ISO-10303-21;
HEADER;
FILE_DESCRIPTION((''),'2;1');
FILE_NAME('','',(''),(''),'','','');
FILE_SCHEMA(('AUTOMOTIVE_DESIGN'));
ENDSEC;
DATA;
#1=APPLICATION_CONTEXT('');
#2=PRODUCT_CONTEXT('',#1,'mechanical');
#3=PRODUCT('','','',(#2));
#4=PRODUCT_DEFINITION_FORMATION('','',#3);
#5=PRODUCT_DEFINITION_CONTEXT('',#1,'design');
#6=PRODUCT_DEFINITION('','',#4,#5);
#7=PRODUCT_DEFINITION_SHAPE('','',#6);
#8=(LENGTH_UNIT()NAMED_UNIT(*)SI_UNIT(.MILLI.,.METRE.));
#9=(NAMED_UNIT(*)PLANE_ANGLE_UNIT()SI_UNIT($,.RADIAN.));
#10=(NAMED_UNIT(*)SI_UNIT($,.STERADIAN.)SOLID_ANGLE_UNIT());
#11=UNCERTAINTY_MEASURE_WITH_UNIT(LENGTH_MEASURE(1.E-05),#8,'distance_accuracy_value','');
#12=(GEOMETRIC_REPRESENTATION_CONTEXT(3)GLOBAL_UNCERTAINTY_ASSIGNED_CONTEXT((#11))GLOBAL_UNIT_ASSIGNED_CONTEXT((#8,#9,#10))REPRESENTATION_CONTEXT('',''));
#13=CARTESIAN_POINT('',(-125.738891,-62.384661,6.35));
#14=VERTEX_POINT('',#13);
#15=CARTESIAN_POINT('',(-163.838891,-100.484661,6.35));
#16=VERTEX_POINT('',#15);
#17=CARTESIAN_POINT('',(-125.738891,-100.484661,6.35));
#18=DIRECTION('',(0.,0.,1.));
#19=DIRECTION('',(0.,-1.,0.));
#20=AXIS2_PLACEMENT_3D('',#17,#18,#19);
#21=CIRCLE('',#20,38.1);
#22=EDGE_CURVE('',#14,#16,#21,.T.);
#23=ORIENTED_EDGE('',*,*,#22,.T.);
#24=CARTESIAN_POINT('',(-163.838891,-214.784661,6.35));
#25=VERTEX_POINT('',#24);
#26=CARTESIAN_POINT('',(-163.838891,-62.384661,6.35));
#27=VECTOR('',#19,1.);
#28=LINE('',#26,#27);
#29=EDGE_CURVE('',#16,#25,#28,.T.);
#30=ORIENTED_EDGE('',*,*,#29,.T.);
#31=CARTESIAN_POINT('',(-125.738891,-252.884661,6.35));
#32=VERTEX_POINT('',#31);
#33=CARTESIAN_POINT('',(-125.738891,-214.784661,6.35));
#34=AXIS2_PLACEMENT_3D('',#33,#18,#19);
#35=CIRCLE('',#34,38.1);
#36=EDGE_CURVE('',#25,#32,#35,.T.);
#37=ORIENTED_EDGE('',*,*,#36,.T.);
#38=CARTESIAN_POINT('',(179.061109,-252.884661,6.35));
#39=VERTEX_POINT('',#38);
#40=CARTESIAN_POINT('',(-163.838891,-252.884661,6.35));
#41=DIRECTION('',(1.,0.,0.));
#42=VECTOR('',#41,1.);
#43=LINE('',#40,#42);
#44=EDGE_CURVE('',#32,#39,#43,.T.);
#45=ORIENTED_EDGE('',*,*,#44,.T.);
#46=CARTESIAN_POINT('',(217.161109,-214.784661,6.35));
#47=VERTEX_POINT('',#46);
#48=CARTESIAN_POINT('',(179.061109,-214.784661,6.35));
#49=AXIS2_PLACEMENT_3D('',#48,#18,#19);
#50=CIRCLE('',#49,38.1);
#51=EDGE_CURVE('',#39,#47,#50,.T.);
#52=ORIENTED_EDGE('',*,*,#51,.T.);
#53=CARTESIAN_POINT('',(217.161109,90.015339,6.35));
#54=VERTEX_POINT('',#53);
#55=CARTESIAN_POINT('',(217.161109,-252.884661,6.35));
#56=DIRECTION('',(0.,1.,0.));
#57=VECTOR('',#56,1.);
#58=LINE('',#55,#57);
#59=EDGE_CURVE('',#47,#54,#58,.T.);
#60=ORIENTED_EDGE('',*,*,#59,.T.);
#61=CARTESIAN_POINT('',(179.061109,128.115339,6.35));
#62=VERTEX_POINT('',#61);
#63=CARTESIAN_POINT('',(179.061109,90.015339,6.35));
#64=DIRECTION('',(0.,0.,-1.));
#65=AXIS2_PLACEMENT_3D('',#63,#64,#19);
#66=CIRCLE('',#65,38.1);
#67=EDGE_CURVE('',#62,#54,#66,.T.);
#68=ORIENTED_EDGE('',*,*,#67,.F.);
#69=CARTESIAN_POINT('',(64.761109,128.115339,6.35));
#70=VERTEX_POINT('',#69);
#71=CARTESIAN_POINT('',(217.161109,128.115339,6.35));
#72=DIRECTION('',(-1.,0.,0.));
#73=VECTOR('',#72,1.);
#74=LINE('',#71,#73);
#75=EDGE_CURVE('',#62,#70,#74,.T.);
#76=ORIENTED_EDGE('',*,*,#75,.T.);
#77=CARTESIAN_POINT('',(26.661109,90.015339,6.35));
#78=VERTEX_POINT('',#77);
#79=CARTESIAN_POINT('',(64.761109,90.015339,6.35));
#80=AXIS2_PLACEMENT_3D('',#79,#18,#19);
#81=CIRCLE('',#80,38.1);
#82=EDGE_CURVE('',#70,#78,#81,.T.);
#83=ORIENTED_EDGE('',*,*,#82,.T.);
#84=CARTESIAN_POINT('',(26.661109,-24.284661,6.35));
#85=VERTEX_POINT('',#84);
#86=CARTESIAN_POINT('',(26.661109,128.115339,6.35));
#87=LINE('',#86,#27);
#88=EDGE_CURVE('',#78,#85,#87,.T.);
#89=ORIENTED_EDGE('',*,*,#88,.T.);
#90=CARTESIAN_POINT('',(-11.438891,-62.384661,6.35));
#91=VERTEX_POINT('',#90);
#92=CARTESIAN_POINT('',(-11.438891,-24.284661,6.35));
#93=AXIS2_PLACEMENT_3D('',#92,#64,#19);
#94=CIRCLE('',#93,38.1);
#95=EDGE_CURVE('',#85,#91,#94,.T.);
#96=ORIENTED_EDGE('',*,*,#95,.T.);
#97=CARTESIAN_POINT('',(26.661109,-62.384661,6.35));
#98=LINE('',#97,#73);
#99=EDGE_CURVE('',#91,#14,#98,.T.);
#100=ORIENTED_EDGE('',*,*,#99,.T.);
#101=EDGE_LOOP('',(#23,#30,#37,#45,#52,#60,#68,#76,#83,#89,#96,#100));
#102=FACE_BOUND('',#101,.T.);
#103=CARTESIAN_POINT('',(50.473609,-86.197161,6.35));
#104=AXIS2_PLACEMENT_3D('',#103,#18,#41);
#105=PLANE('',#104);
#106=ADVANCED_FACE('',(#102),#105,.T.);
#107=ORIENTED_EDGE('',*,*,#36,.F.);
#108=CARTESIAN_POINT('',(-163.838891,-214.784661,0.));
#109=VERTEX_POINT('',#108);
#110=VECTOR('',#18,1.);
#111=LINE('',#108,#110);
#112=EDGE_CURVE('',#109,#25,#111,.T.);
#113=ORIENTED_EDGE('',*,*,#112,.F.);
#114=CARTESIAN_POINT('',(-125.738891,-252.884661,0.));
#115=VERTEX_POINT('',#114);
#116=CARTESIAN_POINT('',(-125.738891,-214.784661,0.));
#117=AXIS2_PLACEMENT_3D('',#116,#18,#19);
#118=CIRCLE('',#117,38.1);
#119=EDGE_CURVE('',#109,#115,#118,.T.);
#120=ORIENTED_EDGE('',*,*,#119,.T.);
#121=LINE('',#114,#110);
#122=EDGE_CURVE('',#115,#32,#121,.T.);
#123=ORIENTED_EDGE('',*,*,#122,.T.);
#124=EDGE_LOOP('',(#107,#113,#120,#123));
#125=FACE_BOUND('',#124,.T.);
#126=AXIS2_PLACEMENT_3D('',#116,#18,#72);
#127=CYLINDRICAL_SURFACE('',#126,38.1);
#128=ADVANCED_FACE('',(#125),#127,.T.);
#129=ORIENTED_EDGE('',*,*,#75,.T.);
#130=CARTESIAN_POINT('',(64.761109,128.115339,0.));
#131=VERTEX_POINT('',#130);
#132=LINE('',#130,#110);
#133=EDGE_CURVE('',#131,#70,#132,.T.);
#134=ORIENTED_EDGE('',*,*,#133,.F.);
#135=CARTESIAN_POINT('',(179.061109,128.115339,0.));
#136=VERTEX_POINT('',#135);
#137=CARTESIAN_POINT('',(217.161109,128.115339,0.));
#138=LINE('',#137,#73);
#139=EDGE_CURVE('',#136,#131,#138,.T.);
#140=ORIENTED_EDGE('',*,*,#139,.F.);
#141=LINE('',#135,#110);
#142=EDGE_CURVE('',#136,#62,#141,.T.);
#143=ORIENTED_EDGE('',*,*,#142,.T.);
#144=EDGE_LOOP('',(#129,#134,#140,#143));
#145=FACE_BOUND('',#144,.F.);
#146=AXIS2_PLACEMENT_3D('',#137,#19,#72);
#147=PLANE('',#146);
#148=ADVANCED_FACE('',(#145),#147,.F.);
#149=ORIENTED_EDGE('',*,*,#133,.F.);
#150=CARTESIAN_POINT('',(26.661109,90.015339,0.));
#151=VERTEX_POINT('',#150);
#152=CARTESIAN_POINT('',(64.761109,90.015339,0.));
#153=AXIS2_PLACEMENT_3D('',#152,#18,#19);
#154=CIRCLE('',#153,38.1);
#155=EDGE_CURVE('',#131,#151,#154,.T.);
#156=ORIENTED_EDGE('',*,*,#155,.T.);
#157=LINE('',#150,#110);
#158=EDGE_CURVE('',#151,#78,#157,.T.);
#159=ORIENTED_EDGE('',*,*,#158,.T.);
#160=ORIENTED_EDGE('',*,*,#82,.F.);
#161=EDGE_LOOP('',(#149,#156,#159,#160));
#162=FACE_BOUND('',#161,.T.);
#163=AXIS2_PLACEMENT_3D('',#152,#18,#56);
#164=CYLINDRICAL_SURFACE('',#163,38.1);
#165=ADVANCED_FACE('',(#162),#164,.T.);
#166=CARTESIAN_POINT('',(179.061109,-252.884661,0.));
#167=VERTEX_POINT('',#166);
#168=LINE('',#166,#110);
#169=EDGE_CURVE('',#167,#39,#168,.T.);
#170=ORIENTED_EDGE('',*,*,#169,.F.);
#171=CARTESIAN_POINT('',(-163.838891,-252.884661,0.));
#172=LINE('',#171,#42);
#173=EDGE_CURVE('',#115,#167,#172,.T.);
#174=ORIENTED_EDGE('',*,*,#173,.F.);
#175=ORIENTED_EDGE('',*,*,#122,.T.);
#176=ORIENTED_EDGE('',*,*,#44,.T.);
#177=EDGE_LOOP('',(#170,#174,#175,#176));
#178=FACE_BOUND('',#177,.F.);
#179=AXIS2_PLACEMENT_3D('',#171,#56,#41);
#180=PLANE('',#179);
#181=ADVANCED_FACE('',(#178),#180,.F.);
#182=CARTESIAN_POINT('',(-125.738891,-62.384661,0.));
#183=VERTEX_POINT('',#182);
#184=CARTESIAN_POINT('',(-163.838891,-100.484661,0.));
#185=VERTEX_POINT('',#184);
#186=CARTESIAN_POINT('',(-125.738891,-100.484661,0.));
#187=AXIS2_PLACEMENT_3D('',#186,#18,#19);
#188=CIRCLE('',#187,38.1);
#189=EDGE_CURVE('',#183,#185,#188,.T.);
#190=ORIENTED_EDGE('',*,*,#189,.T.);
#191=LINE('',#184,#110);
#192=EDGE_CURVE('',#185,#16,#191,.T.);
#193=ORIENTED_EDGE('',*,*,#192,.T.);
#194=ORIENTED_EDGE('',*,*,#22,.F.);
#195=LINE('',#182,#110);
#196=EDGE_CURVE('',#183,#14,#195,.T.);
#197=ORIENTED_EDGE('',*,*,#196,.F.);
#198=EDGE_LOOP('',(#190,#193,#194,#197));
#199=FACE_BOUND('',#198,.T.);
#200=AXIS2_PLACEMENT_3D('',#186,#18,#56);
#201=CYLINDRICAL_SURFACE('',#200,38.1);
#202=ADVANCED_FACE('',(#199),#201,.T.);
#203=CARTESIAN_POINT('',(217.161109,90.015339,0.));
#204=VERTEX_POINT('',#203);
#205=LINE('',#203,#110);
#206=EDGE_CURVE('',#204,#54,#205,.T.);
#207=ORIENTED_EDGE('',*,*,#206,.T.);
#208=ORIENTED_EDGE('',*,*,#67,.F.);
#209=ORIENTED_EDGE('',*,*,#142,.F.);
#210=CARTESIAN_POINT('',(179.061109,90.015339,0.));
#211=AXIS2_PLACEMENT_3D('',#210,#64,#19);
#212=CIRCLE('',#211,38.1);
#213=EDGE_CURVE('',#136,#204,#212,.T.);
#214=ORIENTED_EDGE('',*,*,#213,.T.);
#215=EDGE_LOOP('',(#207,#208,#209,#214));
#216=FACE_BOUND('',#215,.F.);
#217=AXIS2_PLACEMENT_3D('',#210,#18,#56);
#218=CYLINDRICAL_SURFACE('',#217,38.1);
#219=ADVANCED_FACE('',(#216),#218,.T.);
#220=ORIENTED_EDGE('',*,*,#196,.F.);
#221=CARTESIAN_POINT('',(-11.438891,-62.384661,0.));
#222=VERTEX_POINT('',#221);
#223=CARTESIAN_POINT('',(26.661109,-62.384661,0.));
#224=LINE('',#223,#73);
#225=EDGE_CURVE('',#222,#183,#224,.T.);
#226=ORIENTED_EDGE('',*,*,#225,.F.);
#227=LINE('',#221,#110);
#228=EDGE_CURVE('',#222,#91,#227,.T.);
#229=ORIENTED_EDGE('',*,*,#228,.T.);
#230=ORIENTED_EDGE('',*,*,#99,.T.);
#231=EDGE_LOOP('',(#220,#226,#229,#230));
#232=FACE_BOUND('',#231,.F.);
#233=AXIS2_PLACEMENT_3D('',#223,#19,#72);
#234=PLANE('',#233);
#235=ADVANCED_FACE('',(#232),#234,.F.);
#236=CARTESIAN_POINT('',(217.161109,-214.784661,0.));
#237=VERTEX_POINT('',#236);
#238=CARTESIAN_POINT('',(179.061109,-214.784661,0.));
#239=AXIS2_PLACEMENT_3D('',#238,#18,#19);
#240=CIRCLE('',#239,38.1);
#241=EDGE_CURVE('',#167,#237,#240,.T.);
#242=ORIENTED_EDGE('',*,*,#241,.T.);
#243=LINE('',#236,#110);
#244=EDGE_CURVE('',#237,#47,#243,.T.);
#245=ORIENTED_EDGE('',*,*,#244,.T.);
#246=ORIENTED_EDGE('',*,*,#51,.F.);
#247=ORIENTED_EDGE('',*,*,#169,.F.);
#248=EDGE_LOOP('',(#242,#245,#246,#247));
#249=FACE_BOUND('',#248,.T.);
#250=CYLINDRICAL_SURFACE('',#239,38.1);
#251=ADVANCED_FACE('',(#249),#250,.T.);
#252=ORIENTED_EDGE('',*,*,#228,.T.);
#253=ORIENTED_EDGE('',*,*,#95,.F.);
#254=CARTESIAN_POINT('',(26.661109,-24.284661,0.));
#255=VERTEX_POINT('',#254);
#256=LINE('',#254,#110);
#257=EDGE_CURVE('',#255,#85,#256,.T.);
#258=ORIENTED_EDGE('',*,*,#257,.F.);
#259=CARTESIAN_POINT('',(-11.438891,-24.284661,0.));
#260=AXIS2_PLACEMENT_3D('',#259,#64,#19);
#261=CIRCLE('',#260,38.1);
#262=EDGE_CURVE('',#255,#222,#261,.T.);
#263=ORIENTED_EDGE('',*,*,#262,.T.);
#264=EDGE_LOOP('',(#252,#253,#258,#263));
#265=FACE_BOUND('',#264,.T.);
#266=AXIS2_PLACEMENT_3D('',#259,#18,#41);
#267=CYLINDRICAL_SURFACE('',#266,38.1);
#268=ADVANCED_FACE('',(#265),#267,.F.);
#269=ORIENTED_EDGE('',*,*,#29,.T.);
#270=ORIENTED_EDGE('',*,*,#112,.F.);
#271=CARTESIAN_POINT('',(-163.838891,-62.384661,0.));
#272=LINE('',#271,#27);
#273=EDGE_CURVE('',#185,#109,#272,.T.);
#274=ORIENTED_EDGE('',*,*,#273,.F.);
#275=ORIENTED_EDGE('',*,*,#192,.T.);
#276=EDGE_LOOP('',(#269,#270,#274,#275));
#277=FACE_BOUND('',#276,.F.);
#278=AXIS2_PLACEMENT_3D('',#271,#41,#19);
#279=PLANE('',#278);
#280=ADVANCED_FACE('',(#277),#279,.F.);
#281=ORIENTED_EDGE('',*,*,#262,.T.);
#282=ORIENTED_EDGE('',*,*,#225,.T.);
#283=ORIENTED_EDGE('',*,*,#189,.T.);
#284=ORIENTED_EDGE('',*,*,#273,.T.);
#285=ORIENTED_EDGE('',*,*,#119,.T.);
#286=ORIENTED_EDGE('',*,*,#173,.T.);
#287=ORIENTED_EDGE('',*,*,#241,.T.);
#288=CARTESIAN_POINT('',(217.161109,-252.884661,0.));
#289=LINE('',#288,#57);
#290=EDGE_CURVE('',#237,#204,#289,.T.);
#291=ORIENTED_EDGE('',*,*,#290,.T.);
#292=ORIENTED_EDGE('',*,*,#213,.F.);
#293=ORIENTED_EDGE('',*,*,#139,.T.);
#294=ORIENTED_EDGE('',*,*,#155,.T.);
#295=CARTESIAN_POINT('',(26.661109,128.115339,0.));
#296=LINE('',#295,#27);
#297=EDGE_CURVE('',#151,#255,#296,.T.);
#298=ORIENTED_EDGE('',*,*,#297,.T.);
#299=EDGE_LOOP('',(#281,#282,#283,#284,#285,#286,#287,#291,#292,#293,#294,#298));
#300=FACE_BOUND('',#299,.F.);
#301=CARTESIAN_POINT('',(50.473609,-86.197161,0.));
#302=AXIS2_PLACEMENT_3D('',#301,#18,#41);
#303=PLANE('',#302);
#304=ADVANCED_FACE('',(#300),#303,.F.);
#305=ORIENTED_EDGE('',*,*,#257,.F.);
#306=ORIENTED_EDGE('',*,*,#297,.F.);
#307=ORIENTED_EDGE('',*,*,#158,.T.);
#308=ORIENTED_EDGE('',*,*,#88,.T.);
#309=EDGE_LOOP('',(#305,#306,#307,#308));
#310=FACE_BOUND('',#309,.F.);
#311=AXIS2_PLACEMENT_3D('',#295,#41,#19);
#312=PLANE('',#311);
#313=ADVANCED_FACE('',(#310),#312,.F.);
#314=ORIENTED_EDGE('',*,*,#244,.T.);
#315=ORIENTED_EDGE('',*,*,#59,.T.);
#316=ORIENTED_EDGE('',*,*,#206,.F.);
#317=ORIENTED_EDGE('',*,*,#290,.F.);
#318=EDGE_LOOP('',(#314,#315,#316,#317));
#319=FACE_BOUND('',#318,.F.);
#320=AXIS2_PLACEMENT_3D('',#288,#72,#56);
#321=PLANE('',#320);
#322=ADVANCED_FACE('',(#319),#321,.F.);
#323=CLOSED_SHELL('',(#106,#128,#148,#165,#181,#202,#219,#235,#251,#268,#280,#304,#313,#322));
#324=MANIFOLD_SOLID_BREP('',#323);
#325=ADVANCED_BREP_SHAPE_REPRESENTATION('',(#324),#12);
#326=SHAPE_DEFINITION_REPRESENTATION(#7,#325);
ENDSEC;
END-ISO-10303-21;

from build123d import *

# Parameters (mm, degrees)
F1_DEPTH = 6.35
F2_R     = 38.1


with BuildPart() as f1:
    # F0 (on Top) → F1 (new body)
    with BuildSketch(Plane.XY):
        Polygon((217.161109, 128.115339), (26.661109, 128.115339), (26.661109, -62.384661), (-163.838891, -62.384661), (-163.838891, -252.884661), (217.161109, -252.884661), align=None)
    extrude(amount=F1_DEPTH)

    # F2
    f2_edges = [f1.edges().sort_by_distance(p)[0] for p in [
        (217.161109, -252.884661, 3.175),
        (217.161109, 128.115339, 3.175),
        (26.661109, 128.115339, 3.175),
        (26.661109, -62.384661, 3.175),
        (-163.838891, -62.384661, 3.175),
        (-163.838891, -252.884661, 3.175),
    ]]
    fillet(f2_edges, radius=F2_R)


solid = f1.part
